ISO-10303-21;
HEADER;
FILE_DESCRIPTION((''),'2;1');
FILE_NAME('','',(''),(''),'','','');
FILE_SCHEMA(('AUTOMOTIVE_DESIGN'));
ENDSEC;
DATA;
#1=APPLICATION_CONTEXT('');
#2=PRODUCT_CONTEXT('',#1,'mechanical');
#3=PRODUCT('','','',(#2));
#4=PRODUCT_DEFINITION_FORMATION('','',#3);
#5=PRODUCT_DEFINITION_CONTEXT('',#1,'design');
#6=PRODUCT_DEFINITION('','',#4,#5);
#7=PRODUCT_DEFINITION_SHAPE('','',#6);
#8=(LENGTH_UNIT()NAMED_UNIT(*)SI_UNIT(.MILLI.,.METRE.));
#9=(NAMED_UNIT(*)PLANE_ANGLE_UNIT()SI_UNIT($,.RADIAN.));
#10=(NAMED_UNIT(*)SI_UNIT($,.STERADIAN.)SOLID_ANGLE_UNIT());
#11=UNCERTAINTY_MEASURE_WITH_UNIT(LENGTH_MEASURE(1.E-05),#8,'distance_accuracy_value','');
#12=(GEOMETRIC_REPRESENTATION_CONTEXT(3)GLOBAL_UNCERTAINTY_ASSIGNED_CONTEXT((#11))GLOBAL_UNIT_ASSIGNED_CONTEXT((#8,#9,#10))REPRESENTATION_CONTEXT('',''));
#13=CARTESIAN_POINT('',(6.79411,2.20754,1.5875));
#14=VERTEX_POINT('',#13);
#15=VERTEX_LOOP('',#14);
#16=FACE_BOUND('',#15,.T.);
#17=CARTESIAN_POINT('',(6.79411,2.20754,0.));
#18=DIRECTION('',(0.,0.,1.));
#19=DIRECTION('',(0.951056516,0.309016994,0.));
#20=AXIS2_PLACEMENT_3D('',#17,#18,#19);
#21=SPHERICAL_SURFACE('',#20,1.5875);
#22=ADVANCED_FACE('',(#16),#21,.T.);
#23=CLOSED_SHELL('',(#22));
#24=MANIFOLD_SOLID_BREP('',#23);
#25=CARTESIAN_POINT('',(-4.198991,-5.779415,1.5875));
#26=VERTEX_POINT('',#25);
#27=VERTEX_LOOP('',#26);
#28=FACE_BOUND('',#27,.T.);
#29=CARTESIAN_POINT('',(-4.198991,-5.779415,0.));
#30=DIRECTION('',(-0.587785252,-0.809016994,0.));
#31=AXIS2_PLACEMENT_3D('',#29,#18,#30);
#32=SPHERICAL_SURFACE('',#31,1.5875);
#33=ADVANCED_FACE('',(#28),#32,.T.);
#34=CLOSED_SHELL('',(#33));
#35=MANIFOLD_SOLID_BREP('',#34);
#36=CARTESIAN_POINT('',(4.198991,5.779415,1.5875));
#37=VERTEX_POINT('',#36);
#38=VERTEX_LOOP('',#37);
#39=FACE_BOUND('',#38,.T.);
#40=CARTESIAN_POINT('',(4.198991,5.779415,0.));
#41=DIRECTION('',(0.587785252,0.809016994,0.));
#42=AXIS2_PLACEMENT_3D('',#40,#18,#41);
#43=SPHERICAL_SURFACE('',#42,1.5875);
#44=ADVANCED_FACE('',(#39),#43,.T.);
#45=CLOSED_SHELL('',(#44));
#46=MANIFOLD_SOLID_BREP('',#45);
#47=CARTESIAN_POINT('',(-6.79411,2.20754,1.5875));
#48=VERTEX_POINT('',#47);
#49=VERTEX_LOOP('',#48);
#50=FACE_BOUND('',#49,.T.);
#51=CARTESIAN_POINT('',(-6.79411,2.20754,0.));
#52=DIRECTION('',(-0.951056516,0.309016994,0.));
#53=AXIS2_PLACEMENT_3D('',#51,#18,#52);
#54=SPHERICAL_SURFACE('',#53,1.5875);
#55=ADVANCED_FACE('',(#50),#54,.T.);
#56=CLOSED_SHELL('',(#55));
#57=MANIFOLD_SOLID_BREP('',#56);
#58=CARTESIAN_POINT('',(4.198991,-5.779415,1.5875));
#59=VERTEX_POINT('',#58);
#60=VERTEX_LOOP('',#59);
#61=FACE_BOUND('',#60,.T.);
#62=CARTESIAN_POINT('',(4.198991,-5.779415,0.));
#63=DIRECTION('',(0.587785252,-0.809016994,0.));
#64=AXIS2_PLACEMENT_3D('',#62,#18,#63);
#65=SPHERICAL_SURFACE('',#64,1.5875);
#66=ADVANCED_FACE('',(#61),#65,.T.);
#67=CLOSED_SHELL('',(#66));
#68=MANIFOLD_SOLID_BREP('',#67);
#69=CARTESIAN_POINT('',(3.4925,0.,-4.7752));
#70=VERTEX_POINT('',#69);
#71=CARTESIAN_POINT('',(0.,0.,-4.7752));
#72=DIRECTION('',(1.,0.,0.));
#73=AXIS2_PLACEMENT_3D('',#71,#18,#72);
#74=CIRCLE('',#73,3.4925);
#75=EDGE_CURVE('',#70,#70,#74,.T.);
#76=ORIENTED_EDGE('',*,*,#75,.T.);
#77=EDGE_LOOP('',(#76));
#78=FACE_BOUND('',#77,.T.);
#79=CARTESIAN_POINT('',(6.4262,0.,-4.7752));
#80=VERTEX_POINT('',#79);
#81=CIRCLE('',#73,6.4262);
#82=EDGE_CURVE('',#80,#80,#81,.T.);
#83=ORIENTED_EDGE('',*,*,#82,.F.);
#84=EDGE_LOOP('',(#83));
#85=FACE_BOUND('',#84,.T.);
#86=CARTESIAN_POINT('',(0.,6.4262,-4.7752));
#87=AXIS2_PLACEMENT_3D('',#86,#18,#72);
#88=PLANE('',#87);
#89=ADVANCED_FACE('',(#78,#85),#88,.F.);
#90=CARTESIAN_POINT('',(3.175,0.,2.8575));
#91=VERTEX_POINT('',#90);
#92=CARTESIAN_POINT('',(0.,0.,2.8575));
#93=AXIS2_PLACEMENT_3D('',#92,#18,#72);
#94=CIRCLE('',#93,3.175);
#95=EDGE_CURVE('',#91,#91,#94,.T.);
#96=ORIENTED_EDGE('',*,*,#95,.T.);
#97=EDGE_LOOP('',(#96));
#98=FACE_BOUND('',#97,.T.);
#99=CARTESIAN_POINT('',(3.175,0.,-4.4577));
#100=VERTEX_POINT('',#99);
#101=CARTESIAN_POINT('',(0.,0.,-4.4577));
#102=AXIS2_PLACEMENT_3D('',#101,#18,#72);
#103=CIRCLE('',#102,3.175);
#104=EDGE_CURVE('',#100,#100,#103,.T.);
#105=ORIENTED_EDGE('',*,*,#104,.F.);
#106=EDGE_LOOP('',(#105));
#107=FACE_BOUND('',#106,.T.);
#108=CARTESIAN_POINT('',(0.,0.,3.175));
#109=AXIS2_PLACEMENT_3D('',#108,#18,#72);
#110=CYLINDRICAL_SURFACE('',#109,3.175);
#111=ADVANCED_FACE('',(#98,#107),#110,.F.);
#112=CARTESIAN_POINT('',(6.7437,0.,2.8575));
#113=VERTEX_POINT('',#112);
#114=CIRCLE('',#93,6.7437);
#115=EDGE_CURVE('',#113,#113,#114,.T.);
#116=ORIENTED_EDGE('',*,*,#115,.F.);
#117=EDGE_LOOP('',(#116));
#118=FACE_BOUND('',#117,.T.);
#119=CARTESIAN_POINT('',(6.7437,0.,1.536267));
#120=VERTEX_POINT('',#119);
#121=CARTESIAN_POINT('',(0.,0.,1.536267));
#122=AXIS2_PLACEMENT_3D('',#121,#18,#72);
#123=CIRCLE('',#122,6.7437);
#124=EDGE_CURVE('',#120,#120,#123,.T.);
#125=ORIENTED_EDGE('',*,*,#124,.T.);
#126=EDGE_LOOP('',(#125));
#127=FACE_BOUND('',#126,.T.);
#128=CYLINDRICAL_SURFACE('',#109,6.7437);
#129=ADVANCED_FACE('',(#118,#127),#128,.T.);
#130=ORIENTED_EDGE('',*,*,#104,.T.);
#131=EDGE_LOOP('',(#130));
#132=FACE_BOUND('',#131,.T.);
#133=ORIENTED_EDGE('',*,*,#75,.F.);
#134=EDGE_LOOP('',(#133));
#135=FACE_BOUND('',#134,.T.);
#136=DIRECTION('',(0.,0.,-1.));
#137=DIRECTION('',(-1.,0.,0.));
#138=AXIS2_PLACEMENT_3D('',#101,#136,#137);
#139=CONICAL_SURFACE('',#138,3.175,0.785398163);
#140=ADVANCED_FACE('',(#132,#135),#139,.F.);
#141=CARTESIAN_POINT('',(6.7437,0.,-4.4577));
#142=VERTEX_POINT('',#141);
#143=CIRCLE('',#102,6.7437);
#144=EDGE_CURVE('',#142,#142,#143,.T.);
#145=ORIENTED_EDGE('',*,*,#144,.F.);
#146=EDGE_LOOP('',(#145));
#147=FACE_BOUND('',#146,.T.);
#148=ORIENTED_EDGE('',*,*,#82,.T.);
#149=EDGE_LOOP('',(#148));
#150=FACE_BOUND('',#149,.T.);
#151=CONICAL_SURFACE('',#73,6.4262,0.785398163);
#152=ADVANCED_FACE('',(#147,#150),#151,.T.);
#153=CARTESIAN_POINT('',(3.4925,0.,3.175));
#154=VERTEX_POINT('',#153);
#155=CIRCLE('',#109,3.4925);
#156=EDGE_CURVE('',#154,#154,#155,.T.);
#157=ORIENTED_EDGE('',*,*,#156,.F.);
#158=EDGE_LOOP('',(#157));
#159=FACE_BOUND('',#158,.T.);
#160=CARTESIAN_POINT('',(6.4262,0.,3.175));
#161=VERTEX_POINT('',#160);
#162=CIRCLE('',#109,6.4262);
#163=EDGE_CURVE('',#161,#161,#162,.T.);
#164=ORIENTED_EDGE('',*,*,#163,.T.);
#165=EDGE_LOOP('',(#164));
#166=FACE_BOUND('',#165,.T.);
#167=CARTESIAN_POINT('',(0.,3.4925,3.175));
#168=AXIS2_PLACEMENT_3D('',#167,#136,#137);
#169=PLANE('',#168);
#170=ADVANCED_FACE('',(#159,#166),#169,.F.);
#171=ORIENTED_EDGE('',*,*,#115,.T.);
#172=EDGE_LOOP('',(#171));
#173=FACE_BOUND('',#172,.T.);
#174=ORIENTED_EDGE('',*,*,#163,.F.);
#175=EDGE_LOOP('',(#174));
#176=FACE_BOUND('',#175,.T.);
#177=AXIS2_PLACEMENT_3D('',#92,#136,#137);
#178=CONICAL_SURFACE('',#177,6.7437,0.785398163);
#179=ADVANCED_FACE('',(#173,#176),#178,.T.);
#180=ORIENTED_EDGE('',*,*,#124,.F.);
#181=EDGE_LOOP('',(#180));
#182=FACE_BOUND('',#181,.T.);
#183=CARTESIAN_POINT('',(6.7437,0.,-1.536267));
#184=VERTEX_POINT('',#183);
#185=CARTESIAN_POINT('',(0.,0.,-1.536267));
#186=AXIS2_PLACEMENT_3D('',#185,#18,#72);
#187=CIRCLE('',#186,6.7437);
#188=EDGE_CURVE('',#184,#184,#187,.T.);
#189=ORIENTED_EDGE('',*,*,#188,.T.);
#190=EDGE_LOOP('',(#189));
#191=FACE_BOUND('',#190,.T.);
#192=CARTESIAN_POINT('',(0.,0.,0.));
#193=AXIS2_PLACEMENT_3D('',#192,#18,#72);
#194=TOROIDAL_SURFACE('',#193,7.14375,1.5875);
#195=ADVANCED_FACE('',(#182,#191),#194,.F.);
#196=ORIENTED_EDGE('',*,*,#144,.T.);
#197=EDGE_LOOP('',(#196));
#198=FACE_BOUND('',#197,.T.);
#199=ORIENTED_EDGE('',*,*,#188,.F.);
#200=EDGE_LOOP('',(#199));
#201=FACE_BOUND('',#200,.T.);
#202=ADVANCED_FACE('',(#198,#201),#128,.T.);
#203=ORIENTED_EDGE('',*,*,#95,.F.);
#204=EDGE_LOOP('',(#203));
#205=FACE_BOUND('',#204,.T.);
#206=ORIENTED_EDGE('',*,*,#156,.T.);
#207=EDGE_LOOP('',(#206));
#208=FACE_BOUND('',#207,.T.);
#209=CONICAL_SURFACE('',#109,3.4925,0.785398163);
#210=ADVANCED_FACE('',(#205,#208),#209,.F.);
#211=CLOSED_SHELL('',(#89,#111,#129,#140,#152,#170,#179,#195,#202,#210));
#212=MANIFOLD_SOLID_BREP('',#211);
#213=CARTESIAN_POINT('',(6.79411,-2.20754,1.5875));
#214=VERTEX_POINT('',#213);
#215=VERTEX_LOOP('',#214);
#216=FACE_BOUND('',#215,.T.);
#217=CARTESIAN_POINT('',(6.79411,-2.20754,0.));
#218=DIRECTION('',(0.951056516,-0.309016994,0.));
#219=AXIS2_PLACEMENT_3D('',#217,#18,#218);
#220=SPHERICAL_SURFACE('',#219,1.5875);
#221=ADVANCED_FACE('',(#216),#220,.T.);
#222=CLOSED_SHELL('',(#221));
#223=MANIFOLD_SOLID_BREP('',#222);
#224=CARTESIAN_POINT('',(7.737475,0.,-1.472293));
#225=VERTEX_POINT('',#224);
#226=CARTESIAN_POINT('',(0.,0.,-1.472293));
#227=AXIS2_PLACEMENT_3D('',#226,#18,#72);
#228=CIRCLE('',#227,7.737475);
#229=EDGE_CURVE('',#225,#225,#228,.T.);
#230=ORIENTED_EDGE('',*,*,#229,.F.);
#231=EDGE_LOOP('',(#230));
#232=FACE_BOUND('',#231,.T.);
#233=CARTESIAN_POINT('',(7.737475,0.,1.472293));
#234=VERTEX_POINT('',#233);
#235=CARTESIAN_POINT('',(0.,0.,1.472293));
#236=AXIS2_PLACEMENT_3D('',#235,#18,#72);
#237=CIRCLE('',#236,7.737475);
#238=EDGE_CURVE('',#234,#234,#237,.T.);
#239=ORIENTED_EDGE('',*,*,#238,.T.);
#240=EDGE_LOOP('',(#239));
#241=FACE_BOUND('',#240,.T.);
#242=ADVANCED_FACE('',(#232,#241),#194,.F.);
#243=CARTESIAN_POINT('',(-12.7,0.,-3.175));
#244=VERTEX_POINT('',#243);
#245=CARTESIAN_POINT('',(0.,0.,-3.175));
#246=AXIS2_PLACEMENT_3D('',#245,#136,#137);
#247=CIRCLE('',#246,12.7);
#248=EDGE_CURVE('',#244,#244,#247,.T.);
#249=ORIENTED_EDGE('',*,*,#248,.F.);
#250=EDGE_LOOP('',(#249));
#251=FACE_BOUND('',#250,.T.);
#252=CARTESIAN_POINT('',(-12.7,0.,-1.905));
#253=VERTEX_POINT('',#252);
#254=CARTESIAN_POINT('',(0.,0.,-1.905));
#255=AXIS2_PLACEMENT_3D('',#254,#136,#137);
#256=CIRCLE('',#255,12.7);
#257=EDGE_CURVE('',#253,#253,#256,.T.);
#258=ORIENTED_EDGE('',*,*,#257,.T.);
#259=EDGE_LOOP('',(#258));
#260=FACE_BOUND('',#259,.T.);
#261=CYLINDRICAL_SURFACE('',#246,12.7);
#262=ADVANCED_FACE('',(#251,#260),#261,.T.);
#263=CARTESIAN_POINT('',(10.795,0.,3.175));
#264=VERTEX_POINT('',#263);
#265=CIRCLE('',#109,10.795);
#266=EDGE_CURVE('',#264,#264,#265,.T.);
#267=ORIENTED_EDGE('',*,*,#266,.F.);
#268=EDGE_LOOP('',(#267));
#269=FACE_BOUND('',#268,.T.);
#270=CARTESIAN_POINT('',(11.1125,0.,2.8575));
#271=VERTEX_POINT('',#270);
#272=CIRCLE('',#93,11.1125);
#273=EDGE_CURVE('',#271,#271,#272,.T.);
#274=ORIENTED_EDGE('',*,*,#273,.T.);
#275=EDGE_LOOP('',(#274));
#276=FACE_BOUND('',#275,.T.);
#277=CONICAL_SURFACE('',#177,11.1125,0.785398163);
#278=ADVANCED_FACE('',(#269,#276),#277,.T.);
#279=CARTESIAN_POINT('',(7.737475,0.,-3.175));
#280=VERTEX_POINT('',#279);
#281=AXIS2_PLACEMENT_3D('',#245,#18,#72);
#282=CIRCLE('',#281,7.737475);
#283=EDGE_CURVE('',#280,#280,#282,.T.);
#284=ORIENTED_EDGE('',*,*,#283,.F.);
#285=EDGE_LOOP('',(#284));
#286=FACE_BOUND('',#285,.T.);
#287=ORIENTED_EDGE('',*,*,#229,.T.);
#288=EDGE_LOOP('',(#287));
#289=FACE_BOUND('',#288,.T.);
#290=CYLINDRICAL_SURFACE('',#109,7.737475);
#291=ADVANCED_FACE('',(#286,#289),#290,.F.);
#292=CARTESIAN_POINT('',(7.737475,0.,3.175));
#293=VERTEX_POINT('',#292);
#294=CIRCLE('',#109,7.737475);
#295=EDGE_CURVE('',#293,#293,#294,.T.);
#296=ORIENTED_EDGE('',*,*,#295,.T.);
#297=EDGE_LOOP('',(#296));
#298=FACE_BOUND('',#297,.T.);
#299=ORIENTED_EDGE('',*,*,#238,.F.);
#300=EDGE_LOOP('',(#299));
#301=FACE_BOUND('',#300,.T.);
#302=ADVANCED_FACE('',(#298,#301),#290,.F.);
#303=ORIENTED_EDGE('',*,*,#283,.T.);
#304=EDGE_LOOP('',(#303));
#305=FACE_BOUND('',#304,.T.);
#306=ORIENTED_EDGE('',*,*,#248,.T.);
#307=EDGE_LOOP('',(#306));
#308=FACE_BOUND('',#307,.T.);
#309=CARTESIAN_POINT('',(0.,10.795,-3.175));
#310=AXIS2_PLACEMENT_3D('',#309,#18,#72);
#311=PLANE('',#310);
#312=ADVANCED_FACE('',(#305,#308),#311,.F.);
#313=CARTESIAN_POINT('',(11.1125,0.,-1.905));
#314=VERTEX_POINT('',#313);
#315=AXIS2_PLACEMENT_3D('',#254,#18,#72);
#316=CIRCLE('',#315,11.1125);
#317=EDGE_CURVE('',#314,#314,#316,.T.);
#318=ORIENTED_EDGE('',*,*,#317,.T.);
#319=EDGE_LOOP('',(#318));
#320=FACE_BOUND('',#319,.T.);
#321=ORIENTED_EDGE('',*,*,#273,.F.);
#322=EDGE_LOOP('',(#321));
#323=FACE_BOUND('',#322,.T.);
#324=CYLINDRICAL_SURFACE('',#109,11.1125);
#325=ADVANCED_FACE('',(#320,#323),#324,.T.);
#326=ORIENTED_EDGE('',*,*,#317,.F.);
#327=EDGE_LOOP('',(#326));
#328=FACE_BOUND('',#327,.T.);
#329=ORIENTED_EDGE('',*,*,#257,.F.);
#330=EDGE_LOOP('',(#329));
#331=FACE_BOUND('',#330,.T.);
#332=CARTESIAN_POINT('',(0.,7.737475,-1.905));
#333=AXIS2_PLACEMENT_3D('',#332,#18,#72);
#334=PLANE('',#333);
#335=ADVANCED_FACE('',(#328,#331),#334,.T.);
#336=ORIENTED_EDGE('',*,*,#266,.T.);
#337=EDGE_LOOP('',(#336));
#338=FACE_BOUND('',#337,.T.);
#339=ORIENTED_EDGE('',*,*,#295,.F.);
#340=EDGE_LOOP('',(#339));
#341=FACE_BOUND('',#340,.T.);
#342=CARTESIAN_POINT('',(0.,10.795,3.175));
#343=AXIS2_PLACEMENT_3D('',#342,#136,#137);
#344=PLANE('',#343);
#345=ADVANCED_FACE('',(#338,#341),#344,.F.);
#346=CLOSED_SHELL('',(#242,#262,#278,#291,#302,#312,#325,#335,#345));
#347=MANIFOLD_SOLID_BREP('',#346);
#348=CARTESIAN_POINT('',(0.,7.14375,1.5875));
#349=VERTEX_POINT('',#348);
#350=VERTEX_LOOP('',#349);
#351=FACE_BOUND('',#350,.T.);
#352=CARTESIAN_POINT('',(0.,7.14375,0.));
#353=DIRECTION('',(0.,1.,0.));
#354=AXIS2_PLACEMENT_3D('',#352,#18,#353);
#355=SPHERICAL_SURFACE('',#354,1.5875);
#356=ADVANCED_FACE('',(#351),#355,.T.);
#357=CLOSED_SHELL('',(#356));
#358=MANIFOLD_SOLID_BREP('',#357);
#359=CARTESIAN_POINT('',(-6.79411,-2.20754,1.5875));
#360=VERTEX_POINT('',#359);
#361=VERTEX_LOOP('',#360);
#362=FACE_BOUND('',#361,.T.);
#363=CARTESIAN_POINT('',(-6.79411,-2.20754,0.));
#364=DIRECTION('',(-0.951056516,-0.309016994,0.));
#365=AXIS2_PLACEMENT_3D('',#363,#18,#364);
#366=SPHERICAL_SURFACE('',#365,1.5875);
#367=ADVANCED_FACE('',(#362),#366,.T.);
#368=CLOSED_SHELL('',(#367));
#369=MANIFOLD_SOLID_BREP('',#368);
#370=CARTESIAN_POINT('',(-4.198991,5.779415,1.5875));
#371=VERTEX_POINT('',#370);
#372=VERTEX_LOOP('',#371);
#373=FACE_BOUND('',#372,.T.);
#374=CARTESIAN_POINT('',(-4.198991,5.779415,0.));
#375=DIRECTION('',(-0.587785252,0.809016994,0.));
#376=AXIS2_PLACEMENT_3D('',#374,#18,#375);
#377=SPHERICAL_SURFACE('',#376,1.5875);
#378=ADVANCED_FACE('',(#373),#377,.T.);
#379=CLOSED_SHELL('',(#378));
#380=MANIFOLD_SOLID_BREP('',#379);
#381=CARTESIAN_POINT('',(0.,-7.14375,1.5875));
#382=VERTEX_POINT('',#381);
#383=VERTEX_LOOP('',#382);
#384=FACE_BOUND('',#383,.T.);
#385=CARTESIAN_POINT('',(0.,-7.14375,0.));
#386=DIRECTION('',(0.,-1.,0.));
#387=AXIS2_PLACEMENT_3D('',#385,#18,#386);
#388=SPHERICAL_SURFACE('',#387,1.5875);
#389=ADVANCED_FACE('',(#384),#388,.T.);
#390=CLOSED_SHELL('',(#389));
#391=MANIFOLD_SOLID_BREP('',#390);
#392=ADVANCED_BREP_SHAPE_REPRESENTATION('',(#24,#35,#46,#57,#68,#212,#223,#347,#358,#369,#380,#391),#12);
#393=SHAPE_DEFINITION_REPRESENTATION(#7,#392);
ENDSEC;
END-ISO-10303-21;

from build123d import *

# Parameters (mm, degrees)
SKETCH6_W         = 1.27
SKETCH6_H         = 4.962525
CIRPATTERN1_COUNT = 10


with BuildPart() as part:
    # Sketch1 → Revolve1 (revolve)
    with BuildSketch(Plane(origin=(0, 0, 0), x_dir=(0, 0, -1), z_dir=(1, 0, 0))):
        with BuildLine():
            Line((2.8575, 11.1125), (-2.8575, 11.1125))
            Line((-2.8575, 11.1125), (-3.175, 10.795))
            Line((-3.175, 10.795), (-3.175, 7.737475))
            Line((-3.175, 7.737475), (-1.472293067, 7.737475))
            ThreePointArc((-1.472293067, 7.737475), (0, 8.73125), (1.472293067, 7.737475))
            Line((1.472293067, 7.737475), (3.175, 7.737475))
            Line((3.175, 7.737475), (3.175, 10.795))
            Line((3.175, 10.795), (2.8575, 11.1125))
        make_face()
    revolve(axis=Axis((0, 0, 3.175), (0, 0, -1)))

    # Sketch6 → Revolve6 (revolve)
    with BuildSketch(Plane(origin=(0, 0, 0), x_dir=(0, 0, -1), z_dir=(1, 0, 0))):
        with Locations((2.54, 10.2187375)):
            Rectangle(SKETCH6_W, SKETCH6_H)
    revolve(axis=Axis((0, 0, -3.175), (0, 0, 1)))


with BuildPart() as body_2:
    # Sketch3 → Revolve3 (revolve)
    with BuildSketch(Plane(origin=(0, 0, 0), x_dir=(0, 0, -1), z_dir=(1, 0, 0))):
        with BuildLine():
            Line((-3.175, 3.4925), (-3.175, 6.4262))
            Line((-3.175, 6.4262), (-2.8575, 6.7437))
            Line((-2.8575, 6.7437), (-1.536266984, 6.7437))
            ThreePointArc((-1.536266984, 6.7437), (0, 5.55625), (1.536266984, 6.7437))
            Line((1.536266984, 6.7437), (4.4577, 6.7437))
            Line((4.4577, 6.7437), (4.7752, 6.4262))
            Line((4.7752, 6.4262), (4.7752, 3.4925))
            Line((4.7752, 3.4925), (4.4577, 3.175))
            Line((4.4577, 3.175), (-2.8575, 3.175))
            Line((-2.8575, 3.175), (-3.175, 3.4925))
        make_face()
    revolve(axis=Axis((0, 0, 3.175), (0, 0, -1)))


with BuildPart() as body_3:
    # Sketch4 → Revolve4 (revolve)
    with BuildSketch(Plane(origin=(0, 0, 0), x_dir=(0, 0, -1), z_dir=(1, 0, 0))):
        with BuildLine():
            Line((-1.5875, 7.14375), (1.5875, 7.14375))
            ThreePointArc((1.5875, 7.14375), (0, 8.73125), (-1.5875, 7.14375))
        make_face()
    revolve(axis=Axis((0, 7.14375, 1.5875), (0, 0, -1)))


with BuildPart() as cirpattern1_1:
    # CirPattern1: pattern copy
    add(body_3.part.rotate(Axis((0, 0, -3.175), (0, 0, 1)), 1 * 360 / CIRPATTERN1_COUNT))


with BuildPart() as cirpattern1_2:
    # CirPattern1: pattern copy
    add(body_3.part.rotate(Axis((0, 0, -3.175), (0, 0, 1)), 2 * 360 / CIRPATTERN1_COUNT))


with BuildPart() as cirpattern1_3:
    # CirPattern1: pattern copy
    add(body_3.part.rotate(Axis((0, 0, -3.175), (0, 0, 1)), 3 * 360 / CIRPATTERN1_COUNT))


with BuildPart() as cirpattern1_4:
    # CirPattern1: pattern copy
    add(body_3.part.rotate(Axis((0, 0, -3.175), (0, 0, 1)), 4 * 360 / CIRPATTERN1_COUNT))


with BuildPart() as cirpattern1_5:
    # CirPattern1: pattern copy
    add(body_3.part.rotate(Axis((0, 0, -3.175), (0, 0, 1)), 5 * 360 / CIRPATTERN1_COUNT))


with BuildPart() as cirpattern1_6:
    # CirPattern1: pattern copy
    add(body_3.part.rotate(Axis((0, 0, -3.175), (0, 0, 1)), 6 * 360 / CIRPATTERN1_COUNT))


with BuildPart() as cirpattern1_7:
    # CirPattern1: pattern copy
    add(body_3.part.rotate(Axis((0, 0, -3.175), (0, 0, 1)), 7 * 360 / CIRPATTERN1_COUNT))


with BuildPart() as cirpattern1_8:
    # CirPattern1: pattern copy
    add(body_3.part.rotate(Axis((0, 0, -3.175), (0, 0, 1)), 8 * 360 / CIRPATTERN1_COUNT))


with BuildPart() as cirpattern1_9:
    # CirPattern1: pattern copy
    add(body_3.part.rotate(Axis((0, 0, -3.175), (0, 0, 1)), 9 * 360 / CIRPATTERN1_COUNT))


solid = Compound([part.part, body_2.part, body_3.part, cirpattern1_1.part, cirpattern1_2.part, cirpattern1_3.part, cirpattern1_4.part, cirpattern1_5.part, cirpattern1_6.part, cirpattern1_7.part, cirpattern1_8.part, cirpattern1_9.part])
